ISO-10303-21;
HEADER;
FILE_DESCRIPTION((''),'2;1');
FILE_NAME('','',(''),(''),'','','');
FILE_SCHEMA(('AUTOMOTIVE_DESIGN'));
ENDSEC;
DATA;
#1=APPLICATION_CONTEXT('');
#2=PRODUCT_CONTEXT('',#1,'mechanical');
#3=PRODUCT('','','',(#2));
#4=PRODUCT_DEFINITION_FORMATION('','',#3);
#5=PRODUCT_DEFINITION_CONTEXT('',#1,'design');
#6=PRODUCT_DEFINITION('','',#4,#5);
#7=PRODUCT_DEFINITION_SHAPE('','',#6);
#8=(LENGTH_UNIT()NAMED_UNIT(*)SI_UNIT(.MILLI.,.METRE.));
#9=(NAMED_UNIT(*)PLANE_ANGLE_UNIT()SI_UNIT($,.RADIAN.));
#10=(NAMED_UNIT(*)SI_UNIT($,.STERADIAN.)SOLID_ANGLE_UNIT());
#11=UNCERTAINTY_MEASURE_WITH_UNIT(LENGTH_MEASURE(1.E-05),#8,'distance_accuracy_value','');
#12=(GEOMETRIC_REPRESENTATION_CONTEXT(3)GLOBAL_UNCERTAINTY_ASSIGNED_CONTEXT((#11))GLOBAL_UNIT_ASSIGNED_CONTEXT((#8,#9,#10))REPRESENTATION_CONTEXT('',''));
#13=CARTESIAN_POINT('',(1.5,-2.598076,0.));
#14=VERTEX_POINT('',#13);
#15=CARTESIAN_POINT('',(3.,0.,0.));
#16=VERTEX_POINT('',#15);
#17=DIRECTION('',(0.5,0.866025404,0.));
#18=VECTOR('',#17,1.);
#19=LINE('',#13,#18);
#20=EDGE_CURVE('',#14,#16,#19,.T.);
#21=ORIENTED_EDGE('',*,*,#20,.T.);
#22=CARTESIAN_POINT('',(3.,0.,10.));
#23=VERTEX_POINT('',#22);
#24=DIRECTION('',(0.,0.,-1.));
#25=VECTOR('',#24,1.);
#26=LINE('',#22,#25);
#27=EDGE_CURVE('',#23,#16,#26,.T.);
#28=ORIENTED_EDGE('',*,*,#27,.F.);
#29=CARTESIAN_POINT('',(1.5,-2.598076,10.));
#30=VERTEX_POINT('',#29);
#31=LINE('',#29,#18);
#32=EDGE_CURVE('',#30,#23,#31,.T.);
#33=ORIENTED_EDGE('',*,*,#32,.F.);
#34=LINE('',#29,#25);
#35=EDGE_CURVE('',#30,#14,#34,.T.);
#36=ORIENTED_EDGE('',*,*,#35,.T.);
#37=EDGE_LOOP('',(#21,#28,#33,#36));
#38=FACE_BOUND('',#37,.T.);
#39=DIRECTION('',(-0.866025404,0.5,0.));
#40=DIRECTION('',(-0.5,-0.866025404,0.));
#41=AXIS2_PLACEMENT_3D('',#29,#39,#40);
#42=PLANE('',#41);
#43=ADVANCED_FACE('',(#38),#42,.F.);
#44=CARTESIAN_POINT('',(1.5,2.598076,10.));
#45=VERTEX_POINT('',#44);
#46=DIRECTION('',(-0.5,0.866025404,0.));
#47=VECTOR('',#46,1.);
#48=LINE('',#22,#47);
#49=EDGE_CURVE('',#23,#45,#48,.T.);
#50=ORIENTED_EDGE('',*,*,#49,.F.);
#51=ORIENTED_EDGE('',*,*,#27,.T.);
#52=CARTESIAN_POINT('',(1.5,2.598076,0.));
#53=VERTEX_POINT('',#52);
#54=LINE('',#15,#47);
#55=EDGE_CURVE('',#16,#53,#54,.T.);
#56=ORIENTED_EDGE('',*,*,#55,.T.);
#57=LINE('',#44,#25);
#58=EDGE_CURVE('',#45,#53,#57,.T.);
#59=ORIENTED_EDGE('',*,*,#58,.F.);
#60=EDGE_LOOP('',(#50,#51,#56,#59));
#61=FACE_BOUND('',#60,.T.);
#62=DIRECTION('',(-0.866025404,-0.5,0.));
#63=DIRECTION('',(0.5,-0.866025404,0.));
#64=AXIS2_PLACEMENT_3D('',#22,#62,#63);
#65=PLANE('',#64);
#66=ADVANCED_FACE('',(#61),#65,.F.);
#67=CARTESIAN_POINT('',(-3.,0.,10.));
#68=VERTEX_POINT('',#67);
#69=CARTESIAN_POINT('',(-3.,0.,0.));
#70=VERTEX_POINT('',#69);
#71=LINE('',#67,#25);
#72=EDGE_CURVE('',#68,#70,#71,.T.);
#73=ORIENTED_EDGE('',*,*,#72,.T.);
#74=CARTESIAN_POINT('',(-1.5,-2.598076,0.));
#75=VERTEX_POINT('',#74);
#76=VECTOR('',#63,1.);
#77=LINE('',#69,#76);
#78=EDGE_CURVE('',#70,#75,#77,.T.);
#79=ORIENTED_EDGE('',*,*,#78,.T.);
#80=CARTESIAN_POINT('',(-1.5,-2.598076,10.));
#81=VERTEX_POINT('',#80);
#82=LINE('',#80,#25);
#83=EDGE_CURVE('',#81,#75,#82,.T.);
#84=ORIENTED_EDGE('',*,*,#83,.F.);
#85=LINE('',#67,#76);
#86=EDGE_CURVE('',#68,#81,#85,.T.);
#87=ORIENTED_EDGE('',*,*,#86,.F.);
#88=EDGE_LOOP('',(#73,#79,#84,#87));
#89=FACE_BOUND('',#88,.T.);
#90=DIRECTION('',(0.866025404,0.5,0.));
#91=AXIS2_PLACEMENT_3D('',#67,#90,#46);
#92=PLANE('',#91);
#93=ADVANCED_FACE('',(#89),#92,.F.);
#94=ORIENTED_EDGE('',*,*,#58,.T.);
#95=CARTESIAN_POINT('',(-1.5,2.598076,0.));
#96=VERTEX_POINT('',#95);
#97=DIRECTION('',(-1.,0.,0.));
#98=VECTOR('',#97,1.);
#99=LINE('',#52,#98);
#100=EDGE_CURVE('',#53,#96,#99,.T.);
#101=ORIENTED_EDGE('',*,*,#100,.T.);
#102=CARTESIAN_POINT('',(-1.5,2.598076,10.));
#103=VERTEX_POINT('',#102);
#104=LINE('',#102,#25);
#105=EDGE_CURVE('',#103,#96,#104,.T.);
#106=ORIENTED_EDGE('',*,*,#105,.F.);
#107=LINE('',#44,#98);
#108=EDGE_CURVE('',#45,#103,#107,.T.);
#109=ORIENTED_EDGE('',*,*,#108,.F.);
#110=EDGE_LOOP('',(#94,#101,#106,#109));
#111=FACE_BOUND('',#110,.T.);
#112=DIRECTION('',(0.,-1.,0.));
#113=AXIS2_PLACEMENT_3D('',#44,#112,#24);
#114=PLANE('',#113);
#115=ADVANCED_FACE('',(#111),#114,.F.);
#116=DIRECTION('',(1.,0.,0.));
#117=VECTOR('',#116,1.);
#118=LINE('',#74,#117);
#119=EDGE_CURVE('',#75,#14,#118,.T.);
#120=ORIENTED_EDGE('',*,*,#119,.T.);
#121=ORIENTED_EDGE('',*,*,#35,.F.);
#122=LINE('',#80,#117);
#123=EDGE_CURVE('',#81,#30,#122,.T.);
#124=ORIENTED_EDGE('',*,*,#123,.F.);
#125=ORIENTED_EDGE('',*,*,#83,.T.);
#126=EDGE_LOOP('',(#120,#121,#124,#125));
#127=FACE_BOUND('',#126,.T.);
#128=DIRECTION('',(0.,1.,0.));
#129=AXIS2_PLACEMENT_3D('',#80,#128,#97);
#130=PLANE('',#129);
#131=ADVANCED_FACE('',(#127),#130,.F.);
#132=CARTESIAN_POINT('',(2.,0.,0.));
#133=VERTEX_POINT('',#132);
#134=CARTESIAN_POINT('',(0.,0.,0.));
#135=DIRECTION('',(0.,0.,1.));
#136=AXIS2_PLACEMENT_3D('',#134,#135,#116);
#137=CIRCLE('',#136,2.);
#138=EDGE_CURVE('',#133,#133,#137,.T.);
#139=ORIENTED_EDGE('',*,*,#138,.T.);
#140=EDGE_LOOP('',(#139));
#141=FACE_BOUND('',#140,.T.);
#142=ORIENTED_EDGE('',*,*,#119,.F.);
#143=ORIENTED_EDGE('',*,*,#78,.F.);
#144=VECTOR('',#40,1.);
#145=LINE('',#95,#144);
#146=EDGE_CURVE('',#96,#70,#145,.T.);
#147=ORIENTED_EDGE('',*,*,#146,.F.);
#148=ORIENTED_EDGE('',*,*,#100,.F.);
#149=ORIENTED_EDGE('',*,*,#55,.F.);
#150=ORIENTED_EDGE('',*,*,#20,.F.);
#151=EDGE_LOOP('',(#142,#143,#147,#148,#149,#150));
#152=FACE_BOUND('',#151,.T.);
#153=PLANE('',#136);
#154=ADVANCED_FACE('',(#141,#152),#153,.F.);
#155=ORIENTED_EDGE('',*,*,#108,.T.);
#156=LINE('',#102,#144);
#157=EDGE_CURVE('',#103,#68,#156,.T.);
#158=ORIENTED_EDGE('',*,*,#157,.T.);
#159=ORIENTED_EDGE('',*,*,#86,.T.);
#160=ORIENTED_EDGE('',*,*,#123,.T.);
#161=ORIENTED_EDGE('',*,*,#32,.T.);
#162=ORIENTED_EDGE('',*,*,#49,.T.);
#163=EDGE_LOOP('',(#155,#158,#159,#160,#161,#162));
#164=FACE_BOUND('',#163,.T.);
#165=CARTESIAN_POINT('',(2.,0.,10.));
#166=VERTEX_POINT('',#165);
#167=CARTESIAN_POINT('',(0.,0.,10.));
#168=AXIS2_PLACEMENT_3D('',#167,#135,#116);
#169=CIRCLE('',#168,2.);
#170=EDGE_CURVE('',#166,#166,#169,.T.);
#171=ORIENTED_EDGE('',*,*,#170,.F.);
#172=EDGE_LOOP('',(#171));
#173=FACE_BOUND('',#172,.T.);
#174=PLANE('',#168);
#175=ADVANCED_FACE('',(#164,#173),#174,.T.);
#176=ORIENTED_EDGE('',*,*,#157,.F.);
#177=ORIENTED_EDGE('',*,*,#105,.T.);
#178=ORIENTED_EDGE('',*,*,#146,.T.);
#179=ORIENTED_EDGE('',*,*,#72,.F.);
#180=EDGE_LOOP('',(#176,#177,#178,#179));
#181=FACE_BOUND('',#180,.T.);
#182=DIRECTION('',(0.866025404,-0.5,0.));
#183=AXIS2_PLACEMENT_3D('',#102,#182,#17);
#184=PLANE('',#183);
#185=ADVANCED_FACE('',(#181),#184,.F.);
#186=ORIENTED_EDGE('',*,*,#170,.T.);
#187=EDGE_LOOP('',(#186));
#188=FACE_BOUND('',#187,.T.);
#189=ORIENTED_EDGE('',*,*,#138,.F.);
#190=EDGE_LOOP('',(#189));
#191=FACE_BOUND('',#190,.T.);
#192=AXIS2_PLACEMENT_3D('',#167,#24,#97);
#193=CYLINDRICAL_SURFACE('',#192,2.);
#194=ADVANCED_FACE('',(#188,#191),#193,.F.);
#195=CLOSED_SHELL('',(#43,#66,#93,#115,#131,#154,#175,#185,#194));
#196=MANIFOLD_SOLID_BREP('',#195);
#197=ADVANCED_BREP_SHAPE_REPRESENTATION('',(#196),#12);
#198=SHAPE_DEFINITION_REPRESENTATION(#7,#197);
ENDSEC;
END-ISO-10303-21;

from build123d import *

# Parameters (mm, degrees)
SKETCH1_R           = 2
BOSS_EXTRUDE1_DEPTH = 10


with BuildPart() as part:
    # Sketch1 → Boss-Extrude1 (new body)
    with BuildSketch(Plane.XY):
        Polygon((-3, 0), (-1.5, -2.598076211), (1.5, -2.598076211), (3, 0), (1.5, 2.598076211), (-1.5, 2.598076211), align=None)
        Circle(SKETCH1_R, mode=Mode.SUBTRACT)
    extrude(amount=BOSS_EXTRUDE1_DEPTH)


solid = part.part
